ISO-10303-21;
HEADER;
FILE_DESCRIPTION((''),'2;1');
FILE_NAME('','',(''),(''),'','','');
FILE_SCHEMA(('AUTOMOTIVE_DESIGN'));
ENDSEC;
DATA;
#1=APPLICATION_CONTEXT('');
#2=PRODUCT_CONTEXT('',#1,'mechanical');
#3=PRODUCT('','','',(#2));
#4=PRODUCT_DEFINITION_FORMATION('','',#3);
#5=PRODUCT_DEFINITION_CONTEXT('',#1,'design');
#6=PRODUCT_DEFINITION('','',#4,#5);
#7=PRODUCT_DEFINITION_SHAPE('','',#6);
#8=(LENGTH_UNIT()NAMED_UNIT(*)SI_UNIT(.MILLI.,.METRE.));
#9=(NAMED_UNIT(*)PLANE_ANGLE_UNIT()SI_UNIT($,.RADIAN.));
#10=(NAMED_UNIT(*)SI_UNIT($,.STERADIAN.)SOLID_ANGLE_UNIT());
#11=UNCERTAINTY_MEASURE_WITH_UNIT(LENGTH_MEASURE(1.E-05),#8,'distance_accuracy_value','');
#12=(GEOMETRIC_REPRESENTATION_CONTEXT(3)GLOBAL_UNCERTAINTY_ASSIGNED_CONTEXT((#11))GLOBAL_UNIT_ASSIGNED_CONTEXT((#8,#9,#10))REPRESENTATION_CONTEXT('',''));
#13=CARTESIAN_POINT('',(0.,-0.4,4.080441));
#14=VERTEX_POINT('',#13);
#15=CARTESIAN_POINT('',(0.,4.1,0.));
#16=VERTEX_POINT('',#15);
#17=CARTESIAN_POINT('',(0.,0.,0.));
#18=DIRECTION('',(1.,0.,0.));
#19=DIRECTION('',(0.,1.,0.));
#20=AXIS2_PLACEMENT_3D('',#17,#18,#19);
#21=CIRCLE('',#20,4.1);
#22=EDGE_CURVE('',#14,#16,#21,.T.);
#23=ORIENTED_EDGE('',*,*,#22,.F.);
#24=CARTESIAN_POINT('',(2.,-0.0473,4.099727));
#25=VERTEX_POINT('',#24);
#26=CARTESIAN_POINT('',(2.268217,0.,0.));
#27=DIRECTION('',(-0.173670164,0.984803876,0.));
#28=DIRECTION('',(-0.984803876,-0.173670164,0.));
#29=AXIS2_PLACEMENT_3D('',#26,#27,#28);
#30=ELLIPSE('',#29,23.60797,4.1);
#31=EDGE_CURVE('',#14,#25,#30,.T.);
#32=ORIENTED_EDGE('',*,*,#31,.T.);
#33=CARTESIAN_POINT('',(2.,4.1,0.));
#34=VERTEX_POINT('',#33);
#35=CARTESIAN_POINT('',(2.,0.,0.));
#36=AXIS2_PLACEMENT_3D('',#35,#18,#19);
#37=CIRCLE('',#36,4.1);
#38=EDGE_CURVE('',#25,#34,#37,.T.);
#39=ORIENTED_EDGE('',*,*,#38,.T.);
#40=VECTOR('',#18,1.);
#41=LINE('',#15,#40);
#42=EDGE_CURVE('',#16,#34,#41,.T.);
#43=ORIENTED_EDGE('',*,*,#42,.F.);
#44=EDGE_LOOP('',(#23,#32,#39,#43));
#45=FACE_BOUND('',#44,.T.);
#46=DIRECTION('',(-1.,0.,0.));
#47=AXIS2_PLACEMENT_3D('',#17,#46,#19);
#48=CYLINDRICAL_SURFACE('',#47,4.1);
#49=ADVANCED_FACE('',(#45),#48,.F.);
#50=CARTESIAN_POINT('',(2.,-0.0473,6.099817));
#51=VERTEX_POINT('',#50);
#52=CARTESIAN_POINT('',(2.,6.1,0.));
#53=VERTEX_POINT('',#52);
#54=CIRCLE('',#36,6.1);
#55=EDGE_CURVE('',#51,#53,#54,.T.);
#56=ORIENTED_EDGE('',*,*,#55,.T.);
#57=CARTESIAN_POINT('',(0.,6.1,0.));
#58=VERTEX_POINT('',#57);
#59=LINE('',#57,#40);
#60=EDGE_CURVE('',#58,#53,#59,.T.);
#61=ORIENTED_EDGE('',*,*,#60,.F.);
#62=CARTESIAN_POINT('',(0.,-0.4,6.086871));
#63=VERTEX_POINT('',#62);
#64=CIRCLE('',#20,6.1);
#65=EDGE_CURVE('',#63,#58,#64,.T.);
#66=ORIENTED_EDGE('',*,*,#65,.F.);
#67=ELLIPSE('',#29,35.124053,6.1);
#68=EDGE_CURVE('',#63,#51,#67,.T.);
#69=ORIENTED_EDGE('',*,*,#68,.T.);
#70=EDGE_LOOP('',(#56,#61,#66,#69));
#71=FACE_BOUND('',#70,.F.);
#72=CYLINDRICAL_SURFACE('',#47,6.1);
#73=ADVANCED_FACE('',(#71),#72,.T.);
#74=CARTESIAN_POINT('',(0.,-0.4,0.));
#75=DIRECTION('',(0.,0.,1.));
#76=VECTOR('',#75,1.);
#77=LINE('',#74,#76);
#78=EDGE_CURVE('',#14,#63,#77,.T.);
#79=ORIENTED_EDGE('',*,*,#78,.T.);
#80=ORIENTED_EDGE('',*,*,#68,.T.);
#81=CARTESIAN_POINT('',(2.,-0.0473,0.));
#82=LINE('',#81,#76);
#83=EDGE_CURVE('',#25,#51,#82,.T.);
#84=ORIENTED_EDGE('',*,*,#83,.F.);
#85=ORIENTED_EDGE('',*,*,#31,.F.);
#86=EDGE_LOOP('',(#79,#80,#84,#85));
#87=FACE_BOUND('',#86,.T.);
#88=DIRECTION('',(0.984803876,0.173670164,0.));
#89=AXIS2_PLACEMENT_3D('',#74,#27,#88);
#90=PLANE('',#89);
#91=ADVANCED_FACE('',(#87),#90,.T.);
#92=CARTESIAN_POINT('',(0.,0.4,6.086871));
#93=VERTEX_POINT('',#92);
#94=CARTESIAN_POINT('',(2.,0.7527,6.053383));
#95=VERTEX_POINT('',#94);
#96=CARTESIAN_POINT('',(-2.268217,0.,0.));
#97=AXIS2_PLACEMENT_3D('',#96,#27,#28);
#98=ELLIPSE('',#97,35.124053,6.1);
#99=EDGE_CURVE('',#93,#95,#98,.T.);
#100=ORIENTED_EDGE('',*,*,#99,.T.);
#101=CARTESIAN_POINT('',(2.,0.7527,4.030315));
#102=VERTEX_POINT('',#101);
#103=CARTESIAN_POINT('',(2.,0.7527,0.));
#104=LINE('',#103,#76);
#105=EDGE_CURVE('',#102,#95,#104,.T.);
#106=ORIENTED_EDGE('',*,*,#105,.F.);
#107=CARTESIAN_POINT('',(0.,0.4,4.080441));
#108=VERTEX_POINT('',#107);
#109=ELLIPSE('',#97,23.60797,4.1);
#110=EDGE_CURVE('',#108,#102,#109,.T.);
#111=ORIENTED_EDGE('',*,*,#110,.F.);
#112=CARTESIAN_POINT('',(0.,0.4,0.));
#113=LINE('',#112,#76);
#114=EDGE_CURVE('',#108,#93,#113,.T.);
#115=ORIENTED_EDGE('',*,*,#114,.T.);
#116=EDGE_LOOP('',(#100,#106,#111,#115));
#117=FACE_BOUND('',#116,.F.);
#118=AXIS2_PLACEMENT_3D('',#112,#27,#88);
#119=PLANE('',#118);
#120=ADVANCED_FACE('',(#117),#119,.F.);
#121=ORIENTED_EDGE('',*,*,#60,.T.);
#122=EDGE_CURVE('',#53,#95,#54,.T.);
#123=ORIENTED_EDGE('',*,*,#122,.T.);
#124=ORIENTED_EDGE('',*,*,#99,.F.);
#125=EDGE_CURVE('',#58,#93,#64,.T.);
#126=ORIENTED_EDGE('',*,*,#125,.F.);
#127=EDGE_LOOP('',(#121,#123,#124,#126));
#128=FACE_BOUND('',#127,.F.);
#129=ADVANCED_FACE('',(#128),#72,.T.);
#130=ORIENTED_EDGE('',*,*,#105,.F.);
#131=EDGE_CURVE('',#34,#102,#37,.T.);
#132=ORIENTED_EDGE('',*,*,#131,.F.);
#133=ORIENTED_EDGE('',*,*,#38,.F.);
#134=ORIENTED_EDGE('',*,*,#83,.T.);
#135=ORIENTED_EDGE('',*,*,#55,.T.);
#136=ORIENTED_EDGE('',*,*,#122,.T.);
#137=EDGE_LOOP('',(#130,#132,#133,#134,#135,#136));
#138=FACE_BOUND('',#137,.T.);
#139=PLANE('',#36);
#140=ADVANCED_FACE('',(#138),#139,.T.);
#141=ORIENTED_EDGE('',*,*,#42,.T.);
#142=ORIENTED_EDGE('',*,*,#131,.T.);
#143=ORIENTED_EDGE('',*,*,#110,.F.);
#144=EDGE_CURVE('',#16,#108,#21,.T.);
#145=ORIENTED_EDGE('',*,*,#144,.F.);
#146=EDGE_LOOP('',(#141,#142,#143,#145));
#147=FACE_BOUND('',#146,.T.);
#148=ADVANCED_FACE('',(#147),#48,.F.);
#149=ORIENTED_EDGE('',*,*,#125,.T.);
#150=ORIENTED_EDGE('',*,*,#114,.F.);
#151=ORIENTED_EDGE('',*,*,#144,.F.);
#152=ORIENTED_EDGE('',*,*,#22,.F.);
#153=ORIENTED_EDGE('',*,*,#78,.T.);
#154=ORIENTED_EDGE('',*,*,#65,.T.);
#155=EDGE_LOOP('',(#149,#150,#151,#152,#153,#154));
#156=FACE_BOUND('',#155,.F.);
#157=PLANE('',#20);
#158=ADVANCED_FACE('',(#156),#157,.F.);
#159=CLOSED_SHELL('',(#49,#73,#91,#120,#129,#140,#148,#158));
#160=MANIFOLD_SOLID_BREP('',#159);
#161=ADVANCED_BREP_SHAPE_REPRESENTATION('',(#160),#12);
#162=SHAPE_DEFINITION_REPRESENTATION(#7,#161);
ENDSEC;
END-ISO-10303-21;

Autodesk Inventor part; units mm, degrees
ref_plane "YZ Plane" through (0, 0, 0) normal (1, 0, 0) x (0, 1, 0)
ref_plane "XZ Plane" through (0, 0, 0) normal (0, 1, 0) x (-1, 0, 0)
sketch "Náčrt1" plane through (0, 0, 0) normal (1, 0, 0) x (0, 1, 0)
  circle A0 centre (0, 0) radius 6.1
  circle A1 centre (0, 0) radius 4.1
  dimension "d0" = 8.2
  dimension "d1" = 12.2
extrude "Těleso" add sketch "Náčrt1" along normal blind 2
sketch "Náčrt2" plane through (0, 0, 0) normal (0, 0, 1) x (1, 0, 0)
  line L0 (0, -4.1) -> (0, 4.1) projected
  line L1 (2, 6.1) -> (2, -6.1) projected
  line L2 (-1.2, 0) -> (7.2, 0) projected
  line L3 (0, -0.4) -> (2, -0.0473)
  line L4 (0, 0.4) -> (2, 0.7527)
  dimension "d4" = 0.4
  dimension "d5" = 0.4
  dimension "d6" = 80
extrude "Výřez" cut sketch "Náčrt2" along normal up to next
ref_plane "Work Plane1" through (0, 0, 0) normal (0, -1, 0) x (1, 0, 0)
equation "\"d0\" = SD1"
equation "\"d1\" = SD2"
equation "\"d2\" = SD"
equation "\"d4\" = 0.2 * SD"
equation "\"d5\" = 0.2 * SD"
equation "\"d6\" = FAWI"
equation "\"d7\" = SD"
equation "\"SD1\" = 8.2"
equation "\"SD2\" = 12.2"
equation "\"SD\" = 2"
equation "\"FAWI\" = 80deg"
equation "\"NND\" = 8"
properties part number "CSN 02 1740 - 8" material "Nerezová ocel"
